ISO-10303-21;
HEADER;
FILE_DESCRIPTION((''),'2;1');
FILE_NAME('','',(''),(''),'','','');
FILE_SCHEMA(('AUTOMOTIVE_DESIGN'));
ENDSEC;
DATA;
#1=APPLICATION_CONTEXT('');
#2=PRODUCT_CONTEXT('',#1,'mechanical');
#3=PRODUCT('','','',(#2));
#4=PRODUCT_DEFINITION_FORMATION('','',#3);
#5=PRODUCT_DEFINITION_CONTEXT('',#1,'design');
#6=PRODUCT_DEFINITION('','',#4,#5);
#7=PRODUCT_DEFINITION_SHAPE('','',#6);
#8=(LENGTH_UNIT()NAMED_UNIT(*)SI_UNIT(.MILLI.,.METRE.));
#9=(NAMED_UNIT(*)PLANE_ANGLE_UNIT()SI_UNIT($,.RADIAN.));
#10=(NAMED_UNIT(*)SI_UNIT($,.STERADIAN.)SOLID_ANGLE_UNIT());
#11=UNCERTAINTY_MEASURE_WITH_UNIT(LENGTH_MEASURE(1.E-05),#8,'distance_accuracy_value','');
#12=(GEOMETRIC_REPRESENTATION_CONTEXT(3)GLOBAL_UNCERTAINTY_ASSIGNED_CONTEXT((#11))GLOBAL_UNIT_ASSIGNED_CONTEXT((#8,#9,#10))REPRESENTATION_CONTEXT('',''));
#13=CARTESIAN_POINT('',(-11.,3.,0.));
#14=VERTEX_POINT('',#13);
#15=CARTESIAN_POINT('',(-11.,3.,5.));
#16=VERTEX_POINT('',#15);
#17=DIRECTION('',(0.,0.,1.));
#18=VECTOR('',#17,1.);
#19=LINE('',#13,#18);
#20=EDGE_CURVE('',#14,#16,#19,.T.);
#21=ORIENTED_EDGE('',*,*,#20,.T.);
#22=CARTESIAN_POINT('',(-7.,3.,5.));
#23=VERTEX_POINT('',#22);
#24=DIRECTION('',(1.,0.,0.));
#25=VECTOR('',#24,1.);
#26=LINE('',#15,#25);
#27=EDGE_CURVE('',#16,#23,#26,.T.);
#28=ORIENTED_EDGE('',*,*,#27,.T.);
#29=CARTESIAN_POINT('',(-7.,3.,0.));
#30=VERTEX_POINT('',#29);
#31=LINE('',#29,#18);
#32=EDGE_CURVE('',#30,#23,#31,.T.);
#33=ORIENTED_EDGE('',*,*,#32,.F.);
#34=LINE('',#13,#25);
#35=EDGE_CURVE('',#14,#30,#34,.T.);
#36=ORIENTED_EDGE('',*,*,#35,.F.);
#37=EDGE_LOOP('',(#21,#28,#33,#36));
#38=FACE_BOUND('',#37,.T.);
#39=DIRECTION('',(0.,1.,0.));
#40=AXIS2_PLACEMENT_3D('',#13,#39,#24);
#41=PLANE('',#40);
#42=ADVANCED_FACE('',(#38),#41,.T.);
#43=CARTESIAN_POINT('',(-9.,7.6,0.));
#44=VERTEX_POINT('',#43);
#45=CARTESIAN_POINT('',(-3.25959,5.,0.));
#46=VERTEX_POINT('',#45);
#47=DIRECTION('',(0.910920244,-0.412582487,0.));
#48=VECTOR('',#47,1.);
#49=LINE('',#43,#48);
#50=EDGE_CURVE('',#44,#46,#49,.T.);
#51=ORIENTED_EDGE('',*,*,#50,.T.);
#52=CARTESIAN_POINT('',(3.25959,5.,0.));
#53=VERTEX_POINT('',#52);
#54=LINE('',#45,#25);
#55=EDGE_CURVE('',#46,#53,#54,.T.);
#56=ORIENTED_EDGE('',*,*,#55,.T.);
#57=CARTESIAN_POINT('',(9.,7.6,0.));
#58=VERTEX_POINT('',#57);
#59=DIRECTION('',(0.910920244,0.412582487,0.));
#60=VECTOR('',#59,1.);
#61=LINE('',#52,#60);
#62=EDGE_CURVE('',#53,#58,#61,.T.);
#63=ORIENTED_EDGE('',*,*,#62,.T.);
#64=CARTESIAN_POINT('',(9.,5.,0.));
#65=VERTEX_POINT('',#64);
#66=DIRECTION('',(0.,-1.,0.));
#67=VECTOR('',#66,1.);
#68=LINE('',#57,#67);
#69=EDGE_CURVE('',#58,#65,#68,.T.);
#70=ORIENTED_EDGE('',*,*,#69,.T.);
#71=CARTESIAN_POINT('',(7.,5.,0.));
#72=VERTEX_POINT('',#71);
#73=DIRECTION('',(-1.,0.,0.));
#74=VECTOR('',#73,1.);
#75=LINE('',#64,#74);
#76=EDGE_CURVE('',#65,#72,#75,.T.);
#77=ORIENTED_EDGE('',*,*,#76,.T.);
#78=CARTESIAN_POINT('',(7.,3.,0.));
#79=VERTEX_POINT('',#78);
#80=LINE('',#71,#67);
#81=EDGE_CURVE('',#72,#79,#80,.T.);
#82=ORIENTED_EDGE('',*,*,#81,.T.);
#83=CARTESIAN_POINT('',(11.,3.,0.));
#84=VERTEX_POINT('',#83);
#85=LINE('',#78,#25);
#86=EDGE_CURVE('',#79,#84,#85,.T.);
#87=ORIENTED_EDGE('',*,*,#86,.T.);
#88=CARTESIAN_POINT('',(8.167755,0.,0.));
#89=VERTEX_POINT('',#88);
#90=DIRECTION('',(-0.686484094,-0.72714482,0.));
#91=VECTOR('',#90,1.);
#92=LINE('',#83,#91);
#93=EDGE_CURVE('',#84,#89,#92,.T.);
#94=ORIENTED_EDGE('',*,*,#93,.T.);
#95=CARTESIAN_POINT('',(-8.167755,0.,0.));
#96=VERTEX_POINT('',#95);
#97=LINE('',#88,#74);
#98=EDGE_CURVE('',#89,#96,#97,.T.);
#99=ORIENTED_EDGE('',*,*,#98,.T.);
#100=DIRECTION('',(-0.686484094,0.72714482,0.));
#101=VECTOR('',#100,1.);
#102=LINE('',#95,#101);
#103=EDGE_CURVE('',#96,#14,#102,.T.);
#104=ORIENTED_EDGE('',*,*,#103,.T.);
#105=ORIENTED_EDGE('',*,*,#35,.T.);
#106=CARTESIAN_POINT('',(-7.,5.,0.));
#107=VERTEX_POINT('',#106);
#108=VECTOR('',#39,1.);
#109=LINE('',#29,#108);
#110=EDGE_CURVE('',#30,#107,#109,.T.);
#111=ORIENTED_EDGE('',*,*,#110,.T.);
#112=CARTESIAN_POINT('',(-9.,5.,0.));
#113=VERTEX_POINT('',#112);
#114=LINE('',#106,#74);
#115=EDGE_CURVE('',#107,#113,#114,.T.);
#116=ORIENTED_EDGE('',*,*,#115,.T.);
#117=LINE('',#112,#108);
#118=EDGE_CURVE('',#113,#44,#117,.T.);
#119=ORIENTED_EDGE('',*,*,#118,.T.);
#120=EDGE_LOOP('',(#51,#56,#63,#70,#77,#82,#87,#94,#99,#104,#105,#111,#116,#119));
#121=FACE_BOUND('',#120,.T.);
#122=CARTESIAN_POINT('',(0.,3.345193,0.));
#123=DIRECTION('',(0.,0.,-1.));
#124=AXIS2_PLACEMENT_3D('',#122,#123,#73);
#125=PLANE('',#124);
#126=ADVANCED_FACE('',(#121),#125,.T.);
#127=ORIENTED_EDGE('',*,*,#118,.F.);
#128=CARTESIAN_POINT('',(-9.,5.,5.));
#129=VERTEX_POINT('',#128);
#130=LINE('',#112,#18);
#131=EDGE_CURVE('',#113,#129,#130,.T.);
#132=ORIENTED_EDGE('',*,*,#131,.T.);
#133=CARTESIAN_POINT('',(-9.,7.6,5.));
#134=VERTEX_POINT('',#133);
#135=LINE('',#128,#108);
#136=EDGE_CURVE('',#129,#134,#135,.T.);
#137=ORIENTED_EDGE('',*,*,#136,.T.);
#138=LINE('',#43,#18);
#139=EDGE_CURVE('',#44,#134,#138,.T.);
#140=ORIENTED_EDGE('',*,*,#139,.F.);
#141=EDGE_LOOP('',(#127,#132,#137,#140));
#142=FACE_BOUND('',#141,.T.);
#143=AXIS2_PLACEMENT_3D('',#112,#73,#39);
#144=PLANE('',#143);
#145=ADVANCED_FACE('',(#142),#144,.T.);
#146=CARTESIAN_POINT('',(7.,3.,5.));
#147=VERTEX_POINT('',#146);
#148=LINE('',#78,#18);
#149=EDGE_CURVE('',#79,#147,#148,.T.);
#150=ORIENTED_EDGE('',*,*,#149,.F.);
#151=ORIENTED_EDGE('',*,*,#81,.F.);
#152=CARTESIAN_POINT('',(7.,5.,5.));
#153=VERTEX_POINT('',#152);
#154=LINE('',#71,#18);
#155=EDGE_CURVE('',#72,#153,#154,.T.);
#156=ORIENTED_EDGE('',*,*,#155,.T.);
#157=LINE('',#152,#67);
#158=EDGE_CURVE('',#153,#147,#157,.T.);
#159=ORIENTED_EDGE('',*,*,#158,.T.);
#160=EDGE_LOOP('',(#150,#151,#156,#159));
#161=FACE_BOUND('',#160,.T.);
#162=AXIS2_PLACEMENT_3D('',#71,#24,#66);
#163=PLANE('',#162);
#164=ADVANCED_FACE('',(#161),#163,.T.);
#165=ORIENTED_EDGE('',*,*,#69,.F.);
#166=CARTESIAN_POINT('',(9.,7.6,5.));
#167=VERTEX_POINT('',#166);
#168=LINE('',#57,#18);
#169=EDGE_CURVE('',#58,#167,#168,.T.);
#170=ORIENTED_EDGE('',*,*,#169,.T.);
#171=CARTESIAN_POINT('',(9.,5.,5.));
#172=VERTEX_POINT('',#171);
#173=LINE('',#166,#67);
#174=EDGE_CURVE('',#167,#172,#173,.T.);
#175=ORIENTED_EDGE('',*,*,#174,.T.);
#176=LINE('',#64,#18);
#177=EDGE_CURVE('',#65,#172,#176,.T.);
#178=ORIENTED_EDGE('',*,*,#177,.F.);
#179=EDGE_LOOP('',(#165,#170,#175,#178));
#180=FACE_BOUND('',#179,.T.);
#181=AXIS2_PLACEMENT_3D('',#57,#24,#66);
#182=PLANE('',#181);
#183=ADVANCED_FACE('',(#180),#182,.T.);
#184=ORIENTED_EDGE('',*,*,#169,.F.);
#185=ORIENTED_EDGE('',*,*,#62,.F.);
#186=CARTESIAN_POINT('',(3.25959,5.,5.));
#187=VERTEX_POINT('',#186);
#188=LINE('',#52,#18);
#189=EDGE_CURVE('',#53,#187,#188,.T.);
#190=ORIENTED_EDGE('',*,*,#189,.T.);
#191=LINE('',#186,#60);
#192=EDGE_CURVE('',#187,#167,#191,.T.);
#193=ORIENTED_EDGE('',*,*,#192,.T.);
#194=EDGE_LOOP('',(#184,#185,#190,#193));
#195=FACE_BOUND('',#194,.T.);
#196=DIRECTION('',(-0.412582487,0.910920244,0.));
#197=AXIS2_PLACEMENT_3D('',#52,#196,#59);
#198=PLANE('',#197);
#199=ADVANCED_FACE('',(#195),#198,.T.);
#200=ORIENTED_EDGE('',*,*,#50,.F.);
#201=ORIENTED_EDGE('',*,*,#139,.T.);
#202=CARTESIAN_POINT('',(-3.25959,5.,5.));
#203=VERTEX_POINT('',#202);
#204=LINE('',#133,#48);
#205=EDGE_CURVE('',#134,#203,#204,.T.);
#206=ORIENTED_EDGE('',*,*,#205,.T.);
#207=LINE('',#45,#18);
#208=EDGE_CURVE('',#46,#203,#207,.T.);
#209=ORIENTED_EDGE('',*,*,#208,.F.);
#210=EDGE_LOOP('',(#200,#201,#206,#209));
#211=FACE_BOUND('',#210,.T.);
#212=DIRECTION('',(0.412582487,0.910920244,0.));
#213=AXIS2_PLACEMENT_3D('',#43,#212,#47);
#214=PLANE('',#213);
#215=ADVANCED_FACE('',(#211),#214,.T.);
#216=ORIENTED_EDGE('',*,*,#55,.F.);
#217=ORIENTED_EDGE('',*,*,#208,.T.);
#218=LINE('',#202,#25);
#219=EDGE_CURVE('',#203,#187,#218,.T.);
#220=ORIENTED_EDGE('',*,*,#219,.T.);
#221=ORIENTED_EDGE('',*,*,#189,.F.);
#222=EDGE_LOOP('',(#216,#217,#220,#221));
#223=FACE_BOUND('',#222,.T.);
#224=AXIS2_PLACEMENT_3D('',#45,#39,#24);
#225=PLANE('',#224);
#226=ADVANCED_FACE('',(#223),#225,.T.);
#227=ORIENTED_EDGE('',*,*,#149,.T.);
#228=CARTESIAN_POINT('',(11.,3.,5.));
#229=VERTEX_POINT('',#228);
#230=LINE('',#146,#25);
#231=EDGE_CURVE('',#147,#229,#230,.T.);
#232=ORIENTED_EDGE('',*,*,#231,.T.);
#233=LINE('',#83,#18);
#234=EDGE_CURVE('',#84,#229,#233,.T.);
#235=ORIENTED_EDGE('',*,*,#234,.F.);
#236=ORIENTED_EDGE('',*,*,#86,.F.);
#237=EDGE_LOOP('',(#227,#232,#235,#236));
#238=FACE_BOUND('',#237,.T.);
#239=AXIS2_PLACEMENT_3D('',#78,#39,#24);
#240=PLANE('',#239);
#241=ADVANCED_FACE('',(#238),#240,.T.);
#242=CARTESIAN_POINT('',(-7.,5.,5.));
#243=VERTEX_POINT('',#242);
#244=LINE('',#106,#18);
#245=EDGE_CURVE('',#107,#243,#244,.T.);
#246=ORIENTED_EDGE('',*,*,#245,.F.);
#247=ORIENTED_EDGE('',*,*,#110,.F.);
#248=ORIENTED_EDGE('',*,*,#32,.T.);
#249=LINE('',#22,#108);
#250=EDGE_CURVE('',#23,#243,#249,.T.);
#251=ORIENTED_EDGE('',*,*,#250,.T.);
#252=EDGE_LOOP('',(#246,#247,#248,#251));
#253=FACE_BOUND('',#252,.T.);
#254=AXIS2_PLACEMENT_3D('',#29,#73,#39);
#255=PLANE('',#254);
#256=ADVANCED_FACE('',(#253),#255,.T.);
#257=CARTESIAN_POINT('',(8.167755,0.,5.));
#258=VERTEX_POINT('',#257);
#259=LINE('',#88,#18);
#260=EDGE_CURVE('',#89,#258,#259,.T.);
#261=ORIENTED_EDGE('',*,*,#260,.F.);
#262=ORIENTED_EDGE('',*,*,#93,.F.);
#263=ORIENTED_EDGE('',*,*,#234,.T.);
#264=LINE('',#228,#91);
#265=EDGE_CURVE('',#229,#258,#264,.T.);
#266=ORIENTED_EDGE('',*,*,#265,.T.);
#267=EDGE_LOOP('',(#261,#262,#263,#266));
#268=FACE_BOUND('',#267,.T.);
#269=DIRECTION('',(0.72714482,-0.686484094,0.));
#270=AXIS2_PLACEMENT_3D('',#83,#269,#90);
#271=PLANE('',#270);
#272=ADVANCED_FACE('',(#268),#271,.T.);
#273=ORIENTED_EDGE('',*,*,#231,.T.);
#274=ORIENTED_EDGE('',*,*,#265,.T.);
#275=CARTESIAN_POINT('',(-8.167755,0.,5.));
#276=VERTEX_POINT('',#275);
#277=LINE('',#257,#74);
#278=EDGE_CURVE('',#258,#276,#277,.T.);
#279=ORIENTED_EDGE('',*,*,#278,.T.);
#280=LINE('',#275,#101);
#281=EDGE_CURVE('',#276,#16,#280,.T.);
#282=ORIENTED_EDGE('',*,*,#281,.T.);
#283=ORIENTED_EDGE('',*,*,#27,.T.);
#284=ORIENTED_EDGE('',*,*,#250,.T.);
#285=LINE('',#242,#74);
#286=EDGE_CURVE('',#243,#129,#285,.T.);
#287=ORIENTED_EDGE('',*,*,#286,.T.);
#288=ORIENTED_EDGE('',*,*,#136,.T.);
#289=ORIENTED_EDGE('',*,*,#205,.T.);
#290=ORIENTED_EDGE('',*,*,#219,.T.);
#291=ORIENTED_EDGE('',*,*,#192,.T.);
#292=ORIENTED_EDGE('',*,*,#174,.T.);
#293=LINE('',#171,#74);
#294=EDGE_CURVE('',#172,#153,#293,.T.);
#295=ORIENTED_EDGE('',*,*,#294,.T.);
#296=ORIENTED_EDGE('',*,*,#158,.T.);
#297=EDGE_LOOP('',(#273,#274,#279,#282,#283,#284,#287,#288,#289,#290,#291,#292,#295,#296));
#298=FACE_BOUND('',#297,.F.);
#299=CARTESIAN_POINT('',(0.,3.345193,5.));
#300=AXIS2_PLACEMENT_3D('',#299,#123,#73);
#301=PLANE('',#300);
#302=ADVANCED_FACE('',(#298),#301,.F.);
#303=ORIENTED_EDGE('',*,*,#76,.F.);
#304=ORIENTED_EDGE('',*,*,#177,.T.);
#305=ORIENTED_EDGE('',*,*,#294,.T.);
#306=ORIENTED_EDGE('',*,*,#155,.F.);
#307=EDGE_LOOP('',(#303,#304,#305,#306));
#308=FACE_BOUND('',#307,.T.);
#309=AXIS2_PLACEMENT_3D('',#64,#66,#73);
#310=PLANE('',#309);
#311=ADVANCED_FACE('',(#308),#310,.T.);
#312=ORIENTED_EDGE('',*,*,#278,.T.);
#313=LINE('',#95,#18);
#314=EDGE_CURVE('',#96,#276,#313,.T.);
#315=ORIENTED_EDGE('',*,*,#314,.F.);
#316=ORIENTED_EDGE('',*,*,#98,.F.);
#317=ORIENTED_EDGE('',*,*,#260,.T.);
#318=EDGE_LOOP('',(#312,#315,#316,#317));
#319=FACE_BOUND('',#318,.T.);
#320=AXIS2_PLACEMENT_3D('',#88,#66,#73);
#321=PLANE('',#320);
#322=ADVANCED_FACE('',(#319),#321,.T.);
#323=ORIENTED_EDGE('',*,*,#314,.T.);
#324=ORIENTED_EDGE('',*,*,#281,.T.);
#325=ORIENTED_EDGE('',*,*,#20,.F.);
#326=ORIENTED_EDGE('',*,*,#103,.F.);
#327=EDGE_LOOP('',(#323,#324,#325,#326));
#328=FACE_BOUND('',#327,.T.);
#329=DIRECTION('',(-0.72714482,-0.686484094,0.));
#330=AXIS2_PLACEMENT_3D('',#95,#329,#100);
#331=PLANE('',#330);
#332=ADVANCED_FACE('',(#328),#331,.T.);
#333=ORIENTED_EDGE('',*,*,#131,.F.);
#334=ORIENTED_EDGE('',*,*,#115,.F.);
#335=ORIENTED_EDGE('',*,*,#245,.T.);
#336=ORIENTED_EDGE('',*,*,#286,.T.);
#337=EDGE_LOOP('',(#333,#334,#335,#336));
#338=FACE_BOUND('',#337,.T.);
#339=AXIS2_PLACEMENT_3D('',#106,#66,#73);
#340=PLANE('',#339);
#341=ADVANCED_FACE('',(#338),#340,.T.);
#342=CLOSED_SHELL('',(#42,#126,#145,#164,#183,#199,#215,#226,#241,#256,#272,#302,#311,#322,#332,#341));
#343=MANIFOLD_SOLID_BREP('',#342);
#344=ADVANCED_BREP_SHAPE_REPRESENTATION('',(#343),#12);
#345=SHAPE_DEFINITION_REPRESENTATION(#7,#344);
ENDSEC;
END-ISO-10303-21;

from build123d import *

# Parameters (mm, degrees)
PAD_DEPTH = 5


with BuildPart() as part:
    # Sketch → Pad (new body)
    with BuildSketch(Plane.XY):
        Polygon((9, 7.6), (9, 5), (7, 5), (7, 3), (11, 3), (8.167755, 0), (-8.167755, 0), (-11, 3), (-7, 3), (-7, 5), (-9, 5), (-9, 7.6), (-3.25959, 5), (3.25959, 5), align=None)
    extrude(amount=PAD_DEPTH)


solid = part.part
